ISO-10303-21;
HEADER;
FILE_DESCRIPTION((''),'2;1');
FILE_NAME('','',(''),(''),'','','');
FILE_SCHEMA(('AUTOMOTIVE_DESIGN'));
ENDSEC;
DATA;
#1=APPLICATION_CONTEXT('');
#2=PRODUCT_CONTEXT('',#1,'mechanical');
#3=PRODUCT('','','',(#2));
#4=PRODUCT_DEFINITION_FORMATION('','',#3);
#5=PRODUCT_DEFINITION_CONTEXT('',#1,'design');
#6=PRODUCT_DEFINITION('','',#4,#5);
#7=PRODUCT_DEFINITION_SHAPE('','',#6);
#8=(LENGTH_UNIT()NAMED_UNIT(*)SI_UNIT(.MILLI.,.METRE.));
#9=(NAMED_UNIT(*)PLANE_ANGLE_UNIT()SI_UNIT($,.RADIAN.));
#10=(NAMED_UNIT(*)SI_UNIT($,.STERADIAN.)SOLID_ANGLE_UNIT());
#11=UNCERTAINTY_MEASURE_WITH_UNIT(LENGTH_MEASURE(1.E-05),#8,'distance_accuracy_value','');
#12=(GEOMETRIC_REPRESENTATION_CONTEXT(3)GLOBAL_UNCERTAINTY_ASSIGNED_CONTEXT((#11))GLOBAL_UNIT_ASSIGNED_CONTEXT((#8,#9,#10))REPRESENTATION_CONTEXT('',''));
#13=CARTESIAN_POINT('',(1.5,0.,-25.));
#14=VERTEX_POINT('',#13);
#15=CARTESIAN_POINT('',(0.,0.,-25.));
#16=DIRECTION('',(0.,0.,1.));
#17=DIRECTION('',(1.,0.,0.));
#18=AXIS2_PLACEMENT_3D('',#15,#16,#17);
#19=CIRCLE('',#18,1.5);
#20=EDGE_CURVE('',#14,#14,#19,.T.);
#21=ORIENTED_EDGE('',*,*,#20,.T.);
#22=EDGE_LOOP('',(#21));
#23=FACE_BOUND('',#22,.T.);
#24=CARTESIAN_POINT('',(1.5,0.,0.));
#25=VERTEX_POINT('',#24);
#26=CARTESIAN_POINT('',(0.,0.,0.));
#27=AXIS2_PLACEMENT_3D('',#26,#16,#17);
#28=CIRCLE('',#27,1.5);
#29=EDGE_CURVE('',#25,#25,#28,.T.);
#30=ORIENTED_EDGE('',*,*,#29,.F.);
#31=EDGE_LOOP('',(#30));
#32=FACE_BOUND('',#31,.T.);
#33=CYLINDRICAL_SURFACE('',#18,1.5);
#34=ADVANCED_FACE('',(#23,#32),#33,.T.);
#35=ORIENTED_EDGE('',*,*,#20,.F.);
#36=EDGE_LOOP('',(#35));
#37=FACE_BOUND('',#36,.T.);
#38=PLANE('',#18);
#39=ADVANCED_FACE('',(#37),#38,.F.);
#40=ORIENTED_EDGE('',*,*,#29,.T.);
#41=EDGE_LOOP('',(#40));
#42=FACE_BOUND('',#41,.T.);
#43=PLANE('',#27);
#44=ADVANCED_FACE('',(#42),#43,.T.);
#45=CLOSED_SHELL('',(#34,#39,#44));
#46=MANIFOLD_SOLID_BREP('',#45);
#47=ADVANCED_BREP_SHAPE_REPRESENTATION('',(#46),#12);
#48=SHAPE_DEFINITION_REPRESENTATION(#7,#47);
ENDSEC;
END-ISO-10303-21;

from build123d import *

# Parameters (mm, degrees)
SKETCH1_R           = 1.5
BOSS_EXTRUDE1_DEPTH = 25


with BuildPart() as part:
    # Sketch1 → Boss-Extrude1 (new body)
    with BuildSketch(Plane.XY):
        Circle(SKETCH1_R)
    extrude(amount=-BOSS_EXTRUDE1_DEPTH)


solid = part.part
